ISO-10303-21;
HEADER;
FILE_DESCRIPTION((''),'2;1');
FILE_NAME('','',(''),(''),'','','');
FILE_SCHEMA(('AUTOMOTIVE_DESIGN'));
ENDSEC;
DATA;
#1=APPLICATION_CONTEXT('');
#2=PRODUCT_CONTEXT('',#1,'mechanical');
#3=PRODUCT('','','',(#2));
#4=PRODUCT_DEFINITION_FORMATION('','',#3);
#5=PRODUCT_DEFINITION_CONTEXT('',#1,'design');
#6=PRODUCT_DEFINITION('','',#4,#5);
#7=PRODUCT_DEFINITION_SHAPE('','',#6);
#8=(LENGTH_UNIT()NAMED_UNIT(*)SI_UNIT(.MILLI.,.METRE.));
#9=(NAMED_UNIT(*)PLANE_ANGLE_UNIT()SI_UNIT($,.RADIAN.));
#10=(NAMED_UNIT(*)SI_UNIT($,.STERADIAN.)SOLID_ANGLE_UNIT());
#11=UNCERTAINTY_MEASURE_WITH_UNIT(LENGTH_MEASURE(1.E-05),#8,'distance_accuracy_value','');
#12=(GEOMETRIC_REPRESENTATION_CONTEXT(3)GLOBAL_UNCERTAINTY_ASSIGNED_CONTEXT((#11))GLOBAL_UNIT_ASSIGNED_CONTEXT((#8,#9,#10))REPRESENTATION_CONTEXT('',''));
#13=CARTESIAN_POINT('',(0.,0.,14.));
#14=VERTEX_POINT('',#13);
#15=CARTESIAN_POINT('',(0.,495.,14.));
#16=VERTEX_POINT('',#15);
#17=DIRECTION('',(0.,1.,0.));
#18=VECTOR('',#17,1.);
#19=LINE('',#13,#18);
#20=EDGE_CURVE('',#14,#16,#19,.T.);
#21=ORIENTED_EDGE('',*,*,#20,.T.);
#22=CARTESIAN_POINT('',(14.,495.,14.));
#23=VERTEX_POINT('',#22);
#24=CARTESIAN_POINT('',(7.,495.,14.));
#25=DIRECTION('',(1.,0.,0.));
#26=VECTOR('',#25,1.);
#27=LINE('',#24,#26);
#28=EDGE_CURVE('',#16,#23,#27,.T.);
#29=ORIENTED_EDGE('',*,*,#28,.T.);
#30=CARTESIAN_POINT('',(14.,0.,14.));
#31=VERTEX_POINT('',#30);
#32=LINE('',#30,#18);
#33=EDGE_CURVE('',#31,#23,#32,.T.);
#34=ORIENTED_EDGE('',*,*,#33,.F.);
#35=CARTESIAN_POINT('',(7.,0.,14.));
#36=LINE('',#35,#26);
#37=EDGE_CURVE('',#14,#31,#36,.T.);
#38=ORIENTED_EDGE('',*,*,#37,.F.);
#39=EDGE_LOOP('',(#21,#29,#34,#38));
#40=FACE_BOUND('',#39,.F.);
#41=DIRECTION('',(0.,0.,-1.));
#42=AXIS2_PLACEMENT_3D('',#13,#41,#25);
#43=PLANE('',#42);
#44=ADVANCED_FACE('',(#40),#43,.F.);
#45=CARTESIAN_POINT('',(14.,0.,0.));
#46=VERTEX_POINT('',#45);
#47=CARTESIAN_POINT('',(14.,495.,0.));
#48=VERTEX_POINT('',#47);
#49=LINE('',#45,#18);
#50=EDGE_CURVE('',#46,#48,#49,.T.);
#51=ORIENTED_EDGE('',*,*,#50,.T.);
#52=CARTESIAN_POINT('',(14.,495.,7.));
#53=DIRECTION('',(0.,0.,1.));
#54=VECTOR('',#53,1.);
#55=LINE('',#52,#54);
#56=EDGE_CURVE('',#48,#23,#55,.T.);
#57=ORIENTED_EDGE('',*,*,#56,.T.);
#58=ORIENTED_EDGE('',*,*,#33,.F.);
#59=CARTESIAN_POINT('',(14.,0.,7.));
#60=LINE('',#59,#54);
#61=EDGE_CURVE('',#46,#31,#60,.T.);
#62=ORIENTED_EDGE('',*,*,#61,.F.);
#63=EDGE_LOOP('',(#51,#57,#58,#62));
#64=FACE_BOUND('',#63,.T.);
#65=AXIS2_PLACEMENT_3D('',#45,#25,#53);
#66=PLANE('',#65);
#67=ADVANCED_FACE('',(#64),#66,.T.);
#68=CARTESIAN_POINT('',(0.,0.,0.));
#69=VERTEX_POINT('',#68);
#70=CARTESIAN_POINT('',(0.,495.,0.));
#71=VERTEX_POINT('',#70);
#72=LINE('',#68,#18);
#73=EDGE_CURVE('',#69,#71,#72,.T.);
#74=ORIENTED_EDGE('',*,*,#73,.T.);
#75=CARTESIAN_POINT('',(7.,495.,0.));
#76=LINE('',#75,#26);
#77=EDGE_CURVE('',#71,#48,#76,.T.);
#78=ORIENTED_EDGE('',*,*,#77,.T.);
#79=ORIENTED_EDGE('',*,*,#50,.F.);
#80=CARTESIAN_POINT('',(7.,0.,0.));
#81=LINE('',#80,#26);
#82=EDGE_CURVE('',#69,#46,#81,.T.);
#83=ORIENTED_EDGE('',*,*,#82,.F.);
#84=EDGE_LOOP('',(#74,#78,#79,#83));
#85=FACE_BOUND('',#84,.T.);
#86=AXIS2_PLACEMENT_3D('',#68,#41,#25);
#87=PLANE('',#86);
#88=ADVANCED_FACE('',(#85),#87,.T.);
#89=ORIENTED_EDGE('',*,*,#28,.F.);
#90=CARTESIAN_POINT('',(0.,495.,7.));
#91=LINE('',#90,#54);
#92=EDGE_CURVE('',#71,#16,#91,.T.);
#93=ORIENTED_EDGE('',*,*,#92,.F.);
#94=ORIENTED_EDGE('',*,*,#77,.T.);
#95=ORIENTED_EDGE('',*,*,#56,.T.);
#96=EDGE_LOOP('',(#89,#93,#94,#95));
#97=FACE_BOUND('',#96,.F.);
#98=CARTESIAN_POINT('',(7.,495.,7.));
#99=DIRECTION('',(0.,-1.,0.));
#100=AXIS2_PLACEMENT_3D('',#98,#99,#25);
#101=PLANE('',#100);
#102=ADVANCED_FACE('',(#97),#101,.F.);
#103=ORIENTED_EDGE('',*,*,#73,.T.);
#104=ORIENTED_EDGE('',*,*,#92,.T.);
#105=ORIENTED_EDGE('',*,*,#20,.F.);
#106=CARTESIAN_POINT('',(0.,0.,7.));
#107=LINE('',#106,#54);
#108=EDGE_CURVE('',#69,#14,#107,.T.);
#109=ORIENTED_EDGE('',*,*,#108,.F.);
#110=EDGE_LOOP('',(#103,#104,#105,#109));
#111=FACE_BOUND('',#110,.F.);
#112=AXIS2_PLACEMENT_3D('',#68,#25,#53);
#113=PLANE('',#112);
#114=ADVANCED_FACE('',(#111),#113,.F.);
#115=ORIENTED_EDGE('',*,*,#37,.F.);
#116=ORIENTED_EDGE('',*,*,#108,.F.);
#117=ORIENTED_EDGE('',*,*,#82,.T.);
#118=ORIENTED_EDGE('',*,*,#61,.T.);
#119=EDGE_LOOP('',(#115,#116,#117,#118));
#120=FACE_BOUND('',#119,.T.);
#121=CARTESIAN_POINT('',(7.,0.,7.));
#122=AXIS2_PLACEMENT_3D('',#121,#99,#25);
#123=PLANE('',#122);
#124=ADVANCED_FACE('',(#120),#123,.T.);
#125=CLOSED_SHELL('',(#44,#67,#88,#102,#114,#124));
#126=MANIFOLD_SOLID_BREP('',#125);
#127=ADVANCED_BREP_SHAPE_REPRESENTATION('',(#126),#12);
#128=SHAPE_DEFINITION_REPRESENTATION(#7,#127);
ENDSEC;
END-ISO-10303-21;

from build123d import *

# Parameters (mm, degrees)
SKETCH_W  = 14
SKETCH_H  = 14
PAD_DEPTH = 495


with BuildPart() as part:
    # Sketch → Pad (new body)
    with BuildSketch(Plane.XZ):
        with Locations((7, 7)):
            Rectangle(SKETCH_W, SKETCH_H)
    extrude(amount=-PAD_DEPTH)


solid = part.part
